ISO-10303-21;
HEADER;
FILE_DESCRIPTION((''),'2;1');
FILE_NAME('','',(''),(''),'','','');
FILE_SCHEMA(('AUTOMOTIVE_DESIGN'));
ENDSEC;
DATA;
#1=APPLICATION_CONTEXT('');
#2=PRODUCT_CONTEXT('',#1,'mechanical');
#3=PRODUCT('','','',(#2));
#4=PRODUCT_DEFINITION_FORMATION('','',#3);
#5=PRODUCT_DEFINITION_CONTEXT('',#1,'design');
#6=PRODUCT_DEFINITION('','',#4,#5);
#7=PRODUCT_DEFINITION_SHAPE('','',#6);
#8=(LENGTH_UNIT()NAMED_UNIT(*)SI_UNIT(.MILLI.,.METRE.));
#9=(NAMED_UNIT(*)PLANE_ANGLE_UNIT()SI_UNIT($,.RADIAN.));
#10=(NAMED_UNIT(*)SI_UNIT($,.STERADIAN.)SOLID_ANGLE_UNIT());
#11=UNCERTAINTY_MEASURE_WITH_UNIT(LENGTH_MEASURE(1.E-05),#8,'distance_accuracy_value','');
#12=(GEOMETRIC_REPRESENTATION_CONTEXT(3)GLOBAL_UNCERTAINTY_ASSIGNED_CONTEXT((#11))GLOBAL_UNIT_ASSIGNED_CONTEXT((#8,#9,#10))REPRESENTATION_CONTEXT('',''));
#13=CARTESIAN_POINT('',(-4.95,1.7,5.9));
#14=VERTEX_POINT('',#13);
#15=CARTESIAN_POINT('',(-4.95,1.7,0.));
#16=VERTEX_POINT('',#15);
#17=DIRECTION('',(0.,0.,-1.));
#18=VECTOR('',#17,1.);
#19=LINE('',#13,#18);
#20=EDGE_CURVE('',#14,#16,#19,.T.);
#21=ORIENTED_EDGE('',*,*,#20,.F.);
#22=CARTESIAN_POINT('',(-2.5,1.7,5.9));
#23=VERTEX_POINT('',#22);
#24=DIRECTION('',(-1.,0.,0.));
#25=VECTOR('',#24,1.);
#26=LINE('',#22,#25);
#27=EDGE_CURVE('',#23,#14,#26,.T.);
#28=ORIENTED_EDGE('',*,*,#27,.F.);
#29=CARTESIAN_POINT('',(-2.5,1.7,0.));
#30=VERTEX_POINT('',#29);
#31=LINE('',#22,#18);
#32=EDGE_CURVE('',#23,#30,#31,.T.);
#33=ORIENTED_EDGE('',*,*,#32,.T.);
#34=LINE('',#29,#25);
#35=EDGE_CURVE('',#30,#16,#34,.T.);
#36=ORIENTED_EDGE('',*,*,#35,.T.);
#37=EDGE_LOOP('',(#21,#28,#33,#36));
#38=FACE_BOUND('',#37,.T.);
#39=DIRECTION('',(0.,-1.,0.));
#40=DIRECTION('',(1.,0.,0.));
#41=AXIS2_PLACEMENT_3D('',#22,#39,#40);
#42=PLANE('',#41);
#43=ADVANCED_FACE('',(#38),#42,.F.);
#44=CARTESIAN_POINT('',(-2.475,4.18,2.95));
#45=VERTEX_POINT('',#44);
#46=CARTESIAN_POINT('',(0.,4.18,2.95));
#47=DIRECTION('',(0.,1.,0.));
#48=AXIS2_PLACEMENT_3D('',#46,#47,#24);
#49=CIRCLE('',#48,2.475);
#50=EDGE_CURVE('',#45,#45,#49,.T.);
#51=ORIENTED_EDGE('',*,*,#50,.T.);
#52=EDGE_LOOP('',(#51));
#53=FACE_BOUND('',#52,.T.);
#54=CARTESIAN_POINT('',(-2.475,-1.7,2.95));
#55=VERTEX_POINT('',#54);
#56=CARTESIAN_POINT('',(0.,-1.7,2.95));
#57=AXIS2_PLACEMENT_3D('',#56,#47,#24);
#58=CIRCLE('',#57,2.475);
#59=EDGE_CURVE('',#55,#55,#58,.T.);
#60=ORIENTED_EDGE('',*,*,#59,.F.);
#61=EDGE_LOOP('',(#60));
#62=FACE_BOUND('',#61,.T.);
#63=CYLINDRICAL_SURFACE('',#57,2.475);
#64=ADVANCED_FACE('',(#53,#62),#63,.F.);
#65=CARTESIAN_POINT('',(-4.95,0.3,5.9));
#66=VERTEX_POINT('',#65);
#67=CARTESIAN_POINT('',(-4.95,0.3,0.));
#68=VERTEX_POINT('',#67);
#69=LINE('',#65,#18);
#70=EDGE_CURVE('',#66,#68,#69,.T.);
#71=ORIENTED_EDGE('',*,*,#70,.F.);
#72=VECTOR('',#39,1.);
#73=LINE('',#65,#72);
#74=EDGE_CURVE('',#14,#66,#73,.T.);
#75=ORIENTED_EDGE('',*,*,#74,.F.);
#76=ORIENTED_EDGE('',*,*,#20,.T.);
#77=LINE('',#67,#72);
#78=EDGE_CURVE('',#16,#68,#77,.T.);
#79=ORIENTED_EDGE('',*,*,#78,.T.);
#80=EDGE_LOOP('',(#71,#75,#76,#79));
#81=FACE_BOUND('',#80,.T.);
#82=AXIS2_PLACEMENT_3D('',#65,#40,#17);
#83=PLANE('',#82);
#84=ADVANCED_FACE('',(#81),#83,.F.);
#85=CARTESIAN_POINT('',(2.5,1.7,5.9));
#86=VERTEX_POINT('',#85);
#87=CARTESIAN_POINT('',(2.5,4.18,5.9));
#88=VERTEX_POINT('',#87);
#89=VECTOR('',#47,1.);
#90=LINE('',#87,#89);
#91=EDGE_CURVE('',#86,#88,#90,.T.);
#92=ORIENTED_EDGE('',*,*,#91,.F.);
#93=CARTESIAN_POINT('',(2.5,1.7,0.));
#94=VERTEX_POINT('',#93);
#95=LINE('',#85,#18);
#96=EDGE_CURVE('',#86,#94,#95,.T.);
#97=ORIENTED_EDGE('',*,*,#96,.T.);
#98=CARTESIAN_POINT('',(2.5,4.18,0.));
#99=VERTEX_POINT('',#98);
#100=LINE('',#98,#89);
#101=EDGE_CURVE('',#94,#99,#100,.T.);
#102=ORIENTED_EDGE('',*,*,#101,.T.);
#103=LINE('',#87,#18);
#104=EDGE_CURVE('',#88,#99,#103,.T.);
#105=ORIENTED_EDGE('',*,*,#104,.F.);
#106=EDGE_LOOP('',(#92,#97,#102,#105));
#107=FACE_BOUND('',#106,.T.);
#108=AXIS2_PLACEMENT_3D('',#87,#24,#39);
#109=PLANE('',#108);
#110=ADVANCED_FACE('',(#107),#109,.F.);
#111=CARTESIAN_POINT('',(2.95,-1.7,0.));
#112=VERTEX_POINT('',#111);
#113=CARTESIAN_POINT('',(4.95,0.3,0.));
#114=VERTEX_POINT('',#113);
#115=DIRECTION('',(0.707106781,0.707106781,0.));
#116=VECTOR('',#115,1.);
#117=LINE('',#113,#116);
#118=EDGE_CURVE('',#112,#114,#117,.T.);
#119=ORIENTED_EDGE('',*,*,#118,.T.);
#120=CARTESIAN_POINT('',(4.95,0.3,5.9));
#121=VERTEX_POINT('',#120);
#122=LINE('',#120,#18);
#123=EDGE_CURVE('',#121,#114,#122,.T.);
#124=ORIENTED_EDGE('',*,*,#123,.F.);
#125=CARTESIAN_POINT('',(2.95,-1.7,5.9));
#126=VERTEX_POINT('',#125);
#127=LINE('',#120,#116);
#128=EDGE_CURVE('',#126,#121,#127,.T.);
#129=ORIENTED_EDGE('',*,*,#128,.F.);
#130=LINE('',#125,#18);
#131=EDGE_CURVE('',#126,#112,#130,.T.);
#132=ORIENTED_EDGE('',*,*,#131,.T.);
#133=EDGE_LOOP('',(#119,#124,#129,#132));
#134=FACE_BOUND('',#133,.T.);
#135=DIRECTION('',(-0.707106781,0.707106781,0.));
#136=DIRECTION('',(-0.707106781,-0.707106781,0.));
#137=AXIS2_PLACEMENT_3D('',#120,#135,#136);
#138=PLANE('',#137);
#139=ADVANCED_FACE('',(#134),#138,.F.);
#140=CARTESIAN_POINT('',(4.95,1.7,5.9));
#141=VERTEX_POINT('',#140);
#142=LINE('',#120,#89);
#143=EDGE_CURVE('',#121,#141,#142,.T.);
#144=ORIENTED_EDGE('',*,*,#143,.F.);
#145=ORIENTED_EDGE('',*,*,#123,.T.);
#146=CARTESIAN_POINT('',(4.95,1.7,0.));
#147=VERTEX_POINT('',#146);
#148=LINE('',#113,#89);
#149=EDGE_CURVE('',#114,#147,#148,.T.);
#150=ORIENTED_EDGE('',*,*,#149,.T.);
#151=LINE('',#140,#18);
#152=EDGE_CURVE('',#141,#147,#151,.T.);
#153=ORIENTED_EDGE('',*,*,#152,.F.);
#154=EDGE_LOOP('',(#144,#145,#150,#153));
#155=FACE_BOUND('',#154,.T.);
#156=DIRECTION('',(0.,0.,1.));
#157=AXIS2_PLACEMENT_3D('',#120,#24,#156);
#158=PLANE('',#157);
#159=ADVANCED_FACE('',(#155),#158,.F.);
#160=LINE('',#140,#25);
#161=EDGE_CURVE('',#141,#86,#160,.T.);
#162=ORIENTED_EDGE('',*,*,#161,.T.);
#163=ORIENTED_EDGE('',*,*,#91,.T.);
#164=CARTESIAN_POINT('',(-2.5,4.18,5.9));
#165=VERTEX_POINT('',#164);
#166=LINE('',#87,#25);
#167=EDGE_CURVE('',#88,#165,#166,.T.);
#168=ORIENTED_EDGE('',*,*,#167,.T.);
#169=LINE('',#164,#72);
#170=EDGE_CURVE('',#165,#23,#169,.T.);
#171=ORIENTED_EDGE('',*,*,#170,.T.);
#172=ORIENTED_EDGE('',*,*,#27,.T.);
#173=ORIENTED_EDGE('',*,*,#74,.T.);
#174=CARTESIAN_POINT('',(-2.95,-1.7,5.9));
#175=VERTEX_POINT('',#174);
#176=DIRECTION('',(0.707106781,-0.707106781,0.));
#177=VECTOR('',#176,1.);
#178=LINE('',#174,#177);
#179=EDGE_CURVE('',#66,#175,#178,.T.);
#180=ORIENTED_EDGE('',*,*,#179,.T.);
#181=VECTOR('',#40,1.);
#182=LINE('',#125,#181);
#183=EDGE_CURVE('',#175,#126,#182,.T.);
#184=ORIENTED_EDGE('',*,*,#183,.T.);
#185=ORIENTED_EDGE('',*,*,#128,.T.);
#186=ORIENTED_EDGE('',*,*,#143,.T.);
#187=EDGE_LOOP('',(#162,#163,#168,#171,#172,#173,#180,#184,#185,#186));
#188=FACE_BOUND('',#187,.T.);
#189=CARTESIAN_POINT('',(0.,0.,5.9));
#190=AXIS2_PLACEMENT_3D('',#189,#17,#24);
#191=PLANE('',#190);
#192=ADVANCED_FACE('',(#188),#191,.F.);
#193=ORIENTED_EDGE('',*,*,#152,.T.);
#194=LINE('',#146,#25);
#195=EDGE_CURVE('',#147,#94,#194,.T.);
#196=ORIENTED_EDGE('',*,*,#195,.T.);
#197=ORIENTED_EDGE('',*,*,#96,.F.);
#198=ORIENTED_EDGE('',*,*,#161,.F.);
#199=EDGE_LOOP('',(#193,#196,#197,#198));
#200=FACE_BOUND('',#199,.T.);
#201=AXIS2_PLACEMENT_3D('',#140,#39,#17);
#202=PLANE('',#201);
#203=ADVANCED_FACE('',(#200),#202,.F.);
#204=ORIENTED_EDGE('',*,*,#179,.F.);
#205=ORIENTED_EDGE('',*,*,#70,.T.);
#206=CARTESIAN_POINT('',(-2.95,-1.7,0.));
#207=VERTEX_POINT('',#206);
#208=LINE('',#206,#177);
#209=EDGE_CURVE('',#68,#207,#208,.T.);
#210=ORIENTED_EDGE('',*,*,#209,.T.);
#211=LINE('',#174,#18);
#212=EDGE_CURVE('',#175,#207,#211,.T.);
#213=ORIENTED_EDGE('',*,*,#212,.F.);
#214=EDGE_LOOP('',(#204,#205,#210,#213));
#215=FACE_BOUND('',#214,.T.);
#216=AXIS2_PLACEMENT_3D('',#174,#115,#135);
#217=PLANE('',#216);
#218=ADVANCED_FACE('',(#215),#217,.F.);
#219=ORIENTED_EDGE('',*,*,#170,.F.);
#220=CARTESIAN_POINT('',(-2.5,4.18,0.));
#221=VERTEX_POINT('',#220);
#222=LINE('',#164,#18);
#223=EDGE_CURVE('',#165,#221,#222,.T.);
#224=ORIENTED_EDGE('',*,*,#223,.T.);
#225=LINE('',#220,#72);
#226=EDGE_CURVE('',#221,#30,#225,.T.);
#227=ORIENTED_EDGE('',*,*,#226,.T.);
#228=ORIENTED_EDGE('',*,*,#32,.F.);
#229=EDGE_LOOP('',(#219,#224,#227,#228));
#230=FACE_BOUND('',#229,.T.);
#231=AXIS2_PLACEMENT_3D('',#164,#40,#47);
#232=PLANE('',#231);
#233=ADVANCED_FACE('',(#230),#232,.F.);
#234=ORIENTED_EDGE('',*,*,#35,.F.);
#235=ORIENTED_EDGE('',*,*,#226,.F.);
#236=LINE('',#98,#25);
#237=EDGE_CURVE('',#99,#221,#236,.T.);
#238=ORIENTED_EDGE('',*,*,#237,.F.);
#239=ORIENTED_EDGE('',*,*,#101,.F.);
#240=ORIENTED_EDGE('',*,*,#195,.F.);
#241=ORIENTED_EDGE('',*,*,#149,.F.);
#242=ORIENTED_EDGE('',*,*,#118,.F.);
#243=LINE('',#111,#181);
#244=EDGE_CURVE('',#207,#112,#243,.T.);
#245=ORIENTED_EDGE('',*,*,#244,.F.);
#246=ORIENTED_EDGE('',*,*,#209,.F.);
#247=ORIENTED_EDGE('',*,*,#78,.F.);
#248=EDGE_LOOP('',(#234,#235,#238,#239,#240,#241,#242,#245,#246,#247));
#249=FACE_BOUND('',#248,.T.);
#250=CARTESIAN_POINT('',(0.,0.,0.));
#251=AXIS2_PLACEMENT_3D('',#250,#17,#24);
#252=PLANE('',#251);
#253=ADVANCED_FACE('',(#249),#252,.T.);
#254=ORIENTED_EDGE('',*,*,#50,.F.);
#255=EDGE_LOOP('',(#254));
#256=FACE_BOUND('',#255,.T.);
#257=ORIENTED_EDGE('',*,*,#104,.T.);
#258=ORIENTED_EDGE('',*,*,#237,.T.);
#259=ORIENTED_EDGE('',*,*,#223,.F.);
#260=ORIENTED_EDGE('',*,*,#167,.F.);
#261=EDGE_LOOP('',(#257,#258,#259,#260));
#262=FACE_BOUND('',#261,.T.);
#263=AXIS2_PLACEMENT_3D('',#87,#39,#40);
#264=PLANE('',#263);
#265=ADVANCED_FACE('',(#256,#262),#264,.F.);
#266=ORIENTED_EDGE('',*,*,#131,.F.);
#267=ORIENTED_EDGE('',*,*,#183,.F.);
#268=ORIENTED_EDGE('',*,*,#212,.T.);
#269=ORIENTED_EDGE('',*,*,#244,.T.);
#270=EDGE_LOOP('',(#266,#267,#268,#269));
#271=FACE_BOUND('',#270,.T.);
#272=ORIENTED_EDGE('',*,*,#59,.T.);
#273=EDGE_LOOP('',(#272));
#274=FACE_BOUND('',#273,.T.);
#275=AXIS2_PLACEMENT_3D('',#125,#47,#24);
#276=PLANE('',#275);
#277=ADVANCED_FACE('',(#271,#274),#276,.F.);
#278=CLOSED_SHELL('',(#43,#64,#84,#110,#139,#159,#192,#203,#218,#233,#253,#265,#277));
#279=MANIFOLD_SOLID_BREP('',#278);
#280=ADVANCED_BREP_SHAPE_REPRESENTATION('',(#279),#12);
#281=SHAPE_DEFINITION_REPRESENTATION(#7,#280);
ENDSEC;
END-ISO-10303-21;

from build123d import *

# Parameters (mm, degrees)
BOSS_EXTRUDE1_DEPTH = 5.9
SKETCH2_R           = 2.475
CUT_EXTRUDE7_DEPTH  = 10.689525272


with BuildPart() as part:
    # Sketch1 → Boss-Extrude1 (new body)
    with BuildSketch(Plane.XY):
        Polygon((4.95, 0.3), (2.95, -1.7), (-2.95, -1.7), (-4.95, 0.3), (-4.95, 1.7), (-2.5, 1.7), (-2.5, 4.18), (2.5, 4.18), (2.5, 1.7), (4.95, 1.7), align=None)
    extrude(amount=BOSS_EXTRUDE1_DEPTH)

    # Sketch2 → Cut-Extrude7 (cut, through all)
    with BuildSketch(Plane(origin=(0, 4.18, 0), x_dir=(1, 0, 0), z_dir=(0, 1, 0))):
        with Locations(Location((0, -2.95, 0), (0, 0, 180))):
            Circle(SKETCH2_R)
    extrude(amount=-CUT_EXTRUDE7_DEPTH, mode=Mode.SUBTRACT)


solid = part.part
